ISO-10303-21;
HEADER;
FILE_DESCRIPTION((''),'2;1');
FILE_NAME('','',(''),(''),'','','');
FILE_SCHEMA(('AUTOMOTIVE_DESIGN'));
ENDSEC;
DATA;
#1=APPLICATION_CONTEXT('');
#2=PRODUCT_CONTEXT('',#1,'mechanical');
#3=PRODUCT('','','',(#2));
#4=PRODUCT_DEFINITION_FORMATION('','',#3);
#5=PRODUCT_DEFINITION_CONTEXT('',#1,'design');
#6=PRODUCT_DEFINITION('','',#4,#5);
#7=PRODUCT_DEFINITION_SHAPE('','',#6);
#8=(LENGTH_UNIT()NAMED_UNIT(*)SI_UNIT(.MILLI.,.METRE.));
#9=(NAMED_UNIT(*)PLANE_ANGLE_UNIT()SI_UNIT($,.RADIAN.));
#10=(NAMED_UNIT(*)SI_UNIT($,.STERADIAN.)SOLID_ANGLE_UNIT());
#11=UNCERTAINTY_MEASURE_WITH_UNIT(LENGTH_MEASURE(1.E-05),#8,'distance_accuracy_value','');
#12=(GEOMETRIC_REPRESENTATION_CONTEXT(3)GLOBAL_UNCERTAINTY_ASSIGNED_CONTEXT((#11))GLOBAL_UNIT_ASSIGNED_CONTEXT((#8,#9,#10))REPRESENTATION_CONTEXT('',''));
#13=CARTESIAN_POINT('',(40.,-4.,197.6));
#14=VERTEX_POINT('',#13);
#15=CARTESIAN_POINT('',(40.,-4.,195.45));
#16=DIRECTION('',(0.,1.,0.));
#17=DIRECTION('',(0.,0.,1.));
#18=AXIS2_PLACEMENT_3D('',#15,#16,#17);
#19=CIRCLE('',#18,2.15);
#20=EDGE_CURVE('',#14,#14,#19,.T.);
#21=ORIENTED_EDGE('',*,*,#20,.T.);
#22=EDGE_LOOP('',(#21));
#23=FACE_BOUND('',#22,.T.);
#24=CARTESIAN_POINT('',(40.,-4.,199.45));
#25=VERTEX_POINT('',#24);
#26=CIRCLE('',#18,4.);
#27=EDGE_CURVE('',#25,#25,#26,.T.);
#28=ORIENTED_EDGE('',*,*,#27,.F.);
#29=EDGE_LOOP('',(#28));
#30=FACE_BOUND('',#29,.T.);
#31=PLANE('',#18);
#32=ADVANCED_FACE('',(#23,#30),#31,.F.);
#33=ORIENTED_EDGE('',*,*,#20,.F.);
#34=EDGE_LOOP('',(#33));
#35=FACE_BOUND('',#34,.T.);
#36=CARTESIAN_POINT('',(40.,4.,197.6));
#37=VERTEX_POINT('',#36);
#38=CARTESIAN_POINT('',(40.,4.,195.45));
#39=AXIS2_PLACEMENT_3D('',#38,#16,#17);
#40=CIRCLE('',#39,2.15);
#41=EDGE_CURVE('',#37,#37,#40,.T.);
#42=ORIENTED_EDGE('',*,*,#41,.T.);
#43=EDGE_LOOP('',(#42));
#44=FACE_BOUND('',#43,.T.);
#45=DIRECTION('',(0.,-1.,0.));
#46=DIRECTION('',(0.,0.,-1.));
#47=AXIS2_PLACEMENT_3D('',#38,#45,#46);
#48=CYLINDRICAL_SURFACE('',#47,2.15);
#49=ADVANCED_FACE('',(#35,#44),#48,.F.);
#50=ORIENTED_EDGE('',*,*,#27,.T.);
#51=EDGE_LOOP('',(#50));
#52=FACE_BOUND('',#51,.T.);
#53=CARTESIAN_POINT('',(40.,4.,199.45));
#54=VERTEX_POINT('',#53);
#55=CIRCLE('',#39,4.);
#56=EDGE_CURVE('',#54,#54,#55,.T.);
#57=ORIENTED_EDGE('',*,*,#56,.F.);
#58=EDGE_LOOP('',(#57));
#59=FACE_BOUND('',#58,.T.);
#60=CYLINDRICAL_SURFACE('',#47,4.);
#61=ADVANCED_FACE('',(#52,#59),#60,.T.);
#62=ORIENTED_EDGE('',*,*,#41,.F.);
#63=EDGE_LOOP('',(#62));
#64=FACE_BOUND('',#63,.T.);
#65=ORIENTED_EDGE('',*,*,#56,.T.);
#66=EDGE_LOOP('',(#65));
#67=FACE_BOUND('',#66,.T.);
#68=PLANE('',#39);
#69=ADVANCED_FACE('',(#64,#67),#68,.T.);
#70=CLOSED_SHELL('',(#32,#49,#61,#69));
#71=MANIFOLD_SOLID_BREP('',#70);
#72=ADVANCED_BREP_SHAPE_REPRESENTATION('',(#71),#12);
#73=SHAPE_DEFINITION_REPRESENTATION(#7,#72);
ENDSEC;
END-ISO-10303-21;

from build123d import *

# Parameters (mm, degrees)
TUBO_D8_START = -4
CROQUIS1_R    = 4
TUBO_D8_DEPTH = 8
PASO_M4_START = -4
CROQUIS2_R    = 2.15
PASO_M4_DEPTH = 8


with BuildPart() as part:
    # Croquis1 → Tubo_D8 (new body)
    with BuildSketch(Plane(origin=(0, 0, 0), x_dir=(1, 0, 0), z_dir=(0, 1, 0)).offset(TUBO_D8_START)):
        with Locations(Location((40, -195.45, 0), (0, 0, 270))):
            Circle(CROQUIS1_R)
    extrude(amount=TUBO_D8_DEPTH)

    # Croquis2 → Paso_M4 (cut)
    with BuildSketch(Plane(origin=(0, 0, 0), x_dir=(1, 0, 0), z_dir=(0, 1, 0)).offset(PASO_M4_START)):
        with Locations(Location((40, -195.45, 0), (0, 0, 270))):
            Circle(CROQUIS2_R)
    extrude(amount=PASO_M4_DEPTH, mode=Mode.SUBTRACT)


solid = part.part
